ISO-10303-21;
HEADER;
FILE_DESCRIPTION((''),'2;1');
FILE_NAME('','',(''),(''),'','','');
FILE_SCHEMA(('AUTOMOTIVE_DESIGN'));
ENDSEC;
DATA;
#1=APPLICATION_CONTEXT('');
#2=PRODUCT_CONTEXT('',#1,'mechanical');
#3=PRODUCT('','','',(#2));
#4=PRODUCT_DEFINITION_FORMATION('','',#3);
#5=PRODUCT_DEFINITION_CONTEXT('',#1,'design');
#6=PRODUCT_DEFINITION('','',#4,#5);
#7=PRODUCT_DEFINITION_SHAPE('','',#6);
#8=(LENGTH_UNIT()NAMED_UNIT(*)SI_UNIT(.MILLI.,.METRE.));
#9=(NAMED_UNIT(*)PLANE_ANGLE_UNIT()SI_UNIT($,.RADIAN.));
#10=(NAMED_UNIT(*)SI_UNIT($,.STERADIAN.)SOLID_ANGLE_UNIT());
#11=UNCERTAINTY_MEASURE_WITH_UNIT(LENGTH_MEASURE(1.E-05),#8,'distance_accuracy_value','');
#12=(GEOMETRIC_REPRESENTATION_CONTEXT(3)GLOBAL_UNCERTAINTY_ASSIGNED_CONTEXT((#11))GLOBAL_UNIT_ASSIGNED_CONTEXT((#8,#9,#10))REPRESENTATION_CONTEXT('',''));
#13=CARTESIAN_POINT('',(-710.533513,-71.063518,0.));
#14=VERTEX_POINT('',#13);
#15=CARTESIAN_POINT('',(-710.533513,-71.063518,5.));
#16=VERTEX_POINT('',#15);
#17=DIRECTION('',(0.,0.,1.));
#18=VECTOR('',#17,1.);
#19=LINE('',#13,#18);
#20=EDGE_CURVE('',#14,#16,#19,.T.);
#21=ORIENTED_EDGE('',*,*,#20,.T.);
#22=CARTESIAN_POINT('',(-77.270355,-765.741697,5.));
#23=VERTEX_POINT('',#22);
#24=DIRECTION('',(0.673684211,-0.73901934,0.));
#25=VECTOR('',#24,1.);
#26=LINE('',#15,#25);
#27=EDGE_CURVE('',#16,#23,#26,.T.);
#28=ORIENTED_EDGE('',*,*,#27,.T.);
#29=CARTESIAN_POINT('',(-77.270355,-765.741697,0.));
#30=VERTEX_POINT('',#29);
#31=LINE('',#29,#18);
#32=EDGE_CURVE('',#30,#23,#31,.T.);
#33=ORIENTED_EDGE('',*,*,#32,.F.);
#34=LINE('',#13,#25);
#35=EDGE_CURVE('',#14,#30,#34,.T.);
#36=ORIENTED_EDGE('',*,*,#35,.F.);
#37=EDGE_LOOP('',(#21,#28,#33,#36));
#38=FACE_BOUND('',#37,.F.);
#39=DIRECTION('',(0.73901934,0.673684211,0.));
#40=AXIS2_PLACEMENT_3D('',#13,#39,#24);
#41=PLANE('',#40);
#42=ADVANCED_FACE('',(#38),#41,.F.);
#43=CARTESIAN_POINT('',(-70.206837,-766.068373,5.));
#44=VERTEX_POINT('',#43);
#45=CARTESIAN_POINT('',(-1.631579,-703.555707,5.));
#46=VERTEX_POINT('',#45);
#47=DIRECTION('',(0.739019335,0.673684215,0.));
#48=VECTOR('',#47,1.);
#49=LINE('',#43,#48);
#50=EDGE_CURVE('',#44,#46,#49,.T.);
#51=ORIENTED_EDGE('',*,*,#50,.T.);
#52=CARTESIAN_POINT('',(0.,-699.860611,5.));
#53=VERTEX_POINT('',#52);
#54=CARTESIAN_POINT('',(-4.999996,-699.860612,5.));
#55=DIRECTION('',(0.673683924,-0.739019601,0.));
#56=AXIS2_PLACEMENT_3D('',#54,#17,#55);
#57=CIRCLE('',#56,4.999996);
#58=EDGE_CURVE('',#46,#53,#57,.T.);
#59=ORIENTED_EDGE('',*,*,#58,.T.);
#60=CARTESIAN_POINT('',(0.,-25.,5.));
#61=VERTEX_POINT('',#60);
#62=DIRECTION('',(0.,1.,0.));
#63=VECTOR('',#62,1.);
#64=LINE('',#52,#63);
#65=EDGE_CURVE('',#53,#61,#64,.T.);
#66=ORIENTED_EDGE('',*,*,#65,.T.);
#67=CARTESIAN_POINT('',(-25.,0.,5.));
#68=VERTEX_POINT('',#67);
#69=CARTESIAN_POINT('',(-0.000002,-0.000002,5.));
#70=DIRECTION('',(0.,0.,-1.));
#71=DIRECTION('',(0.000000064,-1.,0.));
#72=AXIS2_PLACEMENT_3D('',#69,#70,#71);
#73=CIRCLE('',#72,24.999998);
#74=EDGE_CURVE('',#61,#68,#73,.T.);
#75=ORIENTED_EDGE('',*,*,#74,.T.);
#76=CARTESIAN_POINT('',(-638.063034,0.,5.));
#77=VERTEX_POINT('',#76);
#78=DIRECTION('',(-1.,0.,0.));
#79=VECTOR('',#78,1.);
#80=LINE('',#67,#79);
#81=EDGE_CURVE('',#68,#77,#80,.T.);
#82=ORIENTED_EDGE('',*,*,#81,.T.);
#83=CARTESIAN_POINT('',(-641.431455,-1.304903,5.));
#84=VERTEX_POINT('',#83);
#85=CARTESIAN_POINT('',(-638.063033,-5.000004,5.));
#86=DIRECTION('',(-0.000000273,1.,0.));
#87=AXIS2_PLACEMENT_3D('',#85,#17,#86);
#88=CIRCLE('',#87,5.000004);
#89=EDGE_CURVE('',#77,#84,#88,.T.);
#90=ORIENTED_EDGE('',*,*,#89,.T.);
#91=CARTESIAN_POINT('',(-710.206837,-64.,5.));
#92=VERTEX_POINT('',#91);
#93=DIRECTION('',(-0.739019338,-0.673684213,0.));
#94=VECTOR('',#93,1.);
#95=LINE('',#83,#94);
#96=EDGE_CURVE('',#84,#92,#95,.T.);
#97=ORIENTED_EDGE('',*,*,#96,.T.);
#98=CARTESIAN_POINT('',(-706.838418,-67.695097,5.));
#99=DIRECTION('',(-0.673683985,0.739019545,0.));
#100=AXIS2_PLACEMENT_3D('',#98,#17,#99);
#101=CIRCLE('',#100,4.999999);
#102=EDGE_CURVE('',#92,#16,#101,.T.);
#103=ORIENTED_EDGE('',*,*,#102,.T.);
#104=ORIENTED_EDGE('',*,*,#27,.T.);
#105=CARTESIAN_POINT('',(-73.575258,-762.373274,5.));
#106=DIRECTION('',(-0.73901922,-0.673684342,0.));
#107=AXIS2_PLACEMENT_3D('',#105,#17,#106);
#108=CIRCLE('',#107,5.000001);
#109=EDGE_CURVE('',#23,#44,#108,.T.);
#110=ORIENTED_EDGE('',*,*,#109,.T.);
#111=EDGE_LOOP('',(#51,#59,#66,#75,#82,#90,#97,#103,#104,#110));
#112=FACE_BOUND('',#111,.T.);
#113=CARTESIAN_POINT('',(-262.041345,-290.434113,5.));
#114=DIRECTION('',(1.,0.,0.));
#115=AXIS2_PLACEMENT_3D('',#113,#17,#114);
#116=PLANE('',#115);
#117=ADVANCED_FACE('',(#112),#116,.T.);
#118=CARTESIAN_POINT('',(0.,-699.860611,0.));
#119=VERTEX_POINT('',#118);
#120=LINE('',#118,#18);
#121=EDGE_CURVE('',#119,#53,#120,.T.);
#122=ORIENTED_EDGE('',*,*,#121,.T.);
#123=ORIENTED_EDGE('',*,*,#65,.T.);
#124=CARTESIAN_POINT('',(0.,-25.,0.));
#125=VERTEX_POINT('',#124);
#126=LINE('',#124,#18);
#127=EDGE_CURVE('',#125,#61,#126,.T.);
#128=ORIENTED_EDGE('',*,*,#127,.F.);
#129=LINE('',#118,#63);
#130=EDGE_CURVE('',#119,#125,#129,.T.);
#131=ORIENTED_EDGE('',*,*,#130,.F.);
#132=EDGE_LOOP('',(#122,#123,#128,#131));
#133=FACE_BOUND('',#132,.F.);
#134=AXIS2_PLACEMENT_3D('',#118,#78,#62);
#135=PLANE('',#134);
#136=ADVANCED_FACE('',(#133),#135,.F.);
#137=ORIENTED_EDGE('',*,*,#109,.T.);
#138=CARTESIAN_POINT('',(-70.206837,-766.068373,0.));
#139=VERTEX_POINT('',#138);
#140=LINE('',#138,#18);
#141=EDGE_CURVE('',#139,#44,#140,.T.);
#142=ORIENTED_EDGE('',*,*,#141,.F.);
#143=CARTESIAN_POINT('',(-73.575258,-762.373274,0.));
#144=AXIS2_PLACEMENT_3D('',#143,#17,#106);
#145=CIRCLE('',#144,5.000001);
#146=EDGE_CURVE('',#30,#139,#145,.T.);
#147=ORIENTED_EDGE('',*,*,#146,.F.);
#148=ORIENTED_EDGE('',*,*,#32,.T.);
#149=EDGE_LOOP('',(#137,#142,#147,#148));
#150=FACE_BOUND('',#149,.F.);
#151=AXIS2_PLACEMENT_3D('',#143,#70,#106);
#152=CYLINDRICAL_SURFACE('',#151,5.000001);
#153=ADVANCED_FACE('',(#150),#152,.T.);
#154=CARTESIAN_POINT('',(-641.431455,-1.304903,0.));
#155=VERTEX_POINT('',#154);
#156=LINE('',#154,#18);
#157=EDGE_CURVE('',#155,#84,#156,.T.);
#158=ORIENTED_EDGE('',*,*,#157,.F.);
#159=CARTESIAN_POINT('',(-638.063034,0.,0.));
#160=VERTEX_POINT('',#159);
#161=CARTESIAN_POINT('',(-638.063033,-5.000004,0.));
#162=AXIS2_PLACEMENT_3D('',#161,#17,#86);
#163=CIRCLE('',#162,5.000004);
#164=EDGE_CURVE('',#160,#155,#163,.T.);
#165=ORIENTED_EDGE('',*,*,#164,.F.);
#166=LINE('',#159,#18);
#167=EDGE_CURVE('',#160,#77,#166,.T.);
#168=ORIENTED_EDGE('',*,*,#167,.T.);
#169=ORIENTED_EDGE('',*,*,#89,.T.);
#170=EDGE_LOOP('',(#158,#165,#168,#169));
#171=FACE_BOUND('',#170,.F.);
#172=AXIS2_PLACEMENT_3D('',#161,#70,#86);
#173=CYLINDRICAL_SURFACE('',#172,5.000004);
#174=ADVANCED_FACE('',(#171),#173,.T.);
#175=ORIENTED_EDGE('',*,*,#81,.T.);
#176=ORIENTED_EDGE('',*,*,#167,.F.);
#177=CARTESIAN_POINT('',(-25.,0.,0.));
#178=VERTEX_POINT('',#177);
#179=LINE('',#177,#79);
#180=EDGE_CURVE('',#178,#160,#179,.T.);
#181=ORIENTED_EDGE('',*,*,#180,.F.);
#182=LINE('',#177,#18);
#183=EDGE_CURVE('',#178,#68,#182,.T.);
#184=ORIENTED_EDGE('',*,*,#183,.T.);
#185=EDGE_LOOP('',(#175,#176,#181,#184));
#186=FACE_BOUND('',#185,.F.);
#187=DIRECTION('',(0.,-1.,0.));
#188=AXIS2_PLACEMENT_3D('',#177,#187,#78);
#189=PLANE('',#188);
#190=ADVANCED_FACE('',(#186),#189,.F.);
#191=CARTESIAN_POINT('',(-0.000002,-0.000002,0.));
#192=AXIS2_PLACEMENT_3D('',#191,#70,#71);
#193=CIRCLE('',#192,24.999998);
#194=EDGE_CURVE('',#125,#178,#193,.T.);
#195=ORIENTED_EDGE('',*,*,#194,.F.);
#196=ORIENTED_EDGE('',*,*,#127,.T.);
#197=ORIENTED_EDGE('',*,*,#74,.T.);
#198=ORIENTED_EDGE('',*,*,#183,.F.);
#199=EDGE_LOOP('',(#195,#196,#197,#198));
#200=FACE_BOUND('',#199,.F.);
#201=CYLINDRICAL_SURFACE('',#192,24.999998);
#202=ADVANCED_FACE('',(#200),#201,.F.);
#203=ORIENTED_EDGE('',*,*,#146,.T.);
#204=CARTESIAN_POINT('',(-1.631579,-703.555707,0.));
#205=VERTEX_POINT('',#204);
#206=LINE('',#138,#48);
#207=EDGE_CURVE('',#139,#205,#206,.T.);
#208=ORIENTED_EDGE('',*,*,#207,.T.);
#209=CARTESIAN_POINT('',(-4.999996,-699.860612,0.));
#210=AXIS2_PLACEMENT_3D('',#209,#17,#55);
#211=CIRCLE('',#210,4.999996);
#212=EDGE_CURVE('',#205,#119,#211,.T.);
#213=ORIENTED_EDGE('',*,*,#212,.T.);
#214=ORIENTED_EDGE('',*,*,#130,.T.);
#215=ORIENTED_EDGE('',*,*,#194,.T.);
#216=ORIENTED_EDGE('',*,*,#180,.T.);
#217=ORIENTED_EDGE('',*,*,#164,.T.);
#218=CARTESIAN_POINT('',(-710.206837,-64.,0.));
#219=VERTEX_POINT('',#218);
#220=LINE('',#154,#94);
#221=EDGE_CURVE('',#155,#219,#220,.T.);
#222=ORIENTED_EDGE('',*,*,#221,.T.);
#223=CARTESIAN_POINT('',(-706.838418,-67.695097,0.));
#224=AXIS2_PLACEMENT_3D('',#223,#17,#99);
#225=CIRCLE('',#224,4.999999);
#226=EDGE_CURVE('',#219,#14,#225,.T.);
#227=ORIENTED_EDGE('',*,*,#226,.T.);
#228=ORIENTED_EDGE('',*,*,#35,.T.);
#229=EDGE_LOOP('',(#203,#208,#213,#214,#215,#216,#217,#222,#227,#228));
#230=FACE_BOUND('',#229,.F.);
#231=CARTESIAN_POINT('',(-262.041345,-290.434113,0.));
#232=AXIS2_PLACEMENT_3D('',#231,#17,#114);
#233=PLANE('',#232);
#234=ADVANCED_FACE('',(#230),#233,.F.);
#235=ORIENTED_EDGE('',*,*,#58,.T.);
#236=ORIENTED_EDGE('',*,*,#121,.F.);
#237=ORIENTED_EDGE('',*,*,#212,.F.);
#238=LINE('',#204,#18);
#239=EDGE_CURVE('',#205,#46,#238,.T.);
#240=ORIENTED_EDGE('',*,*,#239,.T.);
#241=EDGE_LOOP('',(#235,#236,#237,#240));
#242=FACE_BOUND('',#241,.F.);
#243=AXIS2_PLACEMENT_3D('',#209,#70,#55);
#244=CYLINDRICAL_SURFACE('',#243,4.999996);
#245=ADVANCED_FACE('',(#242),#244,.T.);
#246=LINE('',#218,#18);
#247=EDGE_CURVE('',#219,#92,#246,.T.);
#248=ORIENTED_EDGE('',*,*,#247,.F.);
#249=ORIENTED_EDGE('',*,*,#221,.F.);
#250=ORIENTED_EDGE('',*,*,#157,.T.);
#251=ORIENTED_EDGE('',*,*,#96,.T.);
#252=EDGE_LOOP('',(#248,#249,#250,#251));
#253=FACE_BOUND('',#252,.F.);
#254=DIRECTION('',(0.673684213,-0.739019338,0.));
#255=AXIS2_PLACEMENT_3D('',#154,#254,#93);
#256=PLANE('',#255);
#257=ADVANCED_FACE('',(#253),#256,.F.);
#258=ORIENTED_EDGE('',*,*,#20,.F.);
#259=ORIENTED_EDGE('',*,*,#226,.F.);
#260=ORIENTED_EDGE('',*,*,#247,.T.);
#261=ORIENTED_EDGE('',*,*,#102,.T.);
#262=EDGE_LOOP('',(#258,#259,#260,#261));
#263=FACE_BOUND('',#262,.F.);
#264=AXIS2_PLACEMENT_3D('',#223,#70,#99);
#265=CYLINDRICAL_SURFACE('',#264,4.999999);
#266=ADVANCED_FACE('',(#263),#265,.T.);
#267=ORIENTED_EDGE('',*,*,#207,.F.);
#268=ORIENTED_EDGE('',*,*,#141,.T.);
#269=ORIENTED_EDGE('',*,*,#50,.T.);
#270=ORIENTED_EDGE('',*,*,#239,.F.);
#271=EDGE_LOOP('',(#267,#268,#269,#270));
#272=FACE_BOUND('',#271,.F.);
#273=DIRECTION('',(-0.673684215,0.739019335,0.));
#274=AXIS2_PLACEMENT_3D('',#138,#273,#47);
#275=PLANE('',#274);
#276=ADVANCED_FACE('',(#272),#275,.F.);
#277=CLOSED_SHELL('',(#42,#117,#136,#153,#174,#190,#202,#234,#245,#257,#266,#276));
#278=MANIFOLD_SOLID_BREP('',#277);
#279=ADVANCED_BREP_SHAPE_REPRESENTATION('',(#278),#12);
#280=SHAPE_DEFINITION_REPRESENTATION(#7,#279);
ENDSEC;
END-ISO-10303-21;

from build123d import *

# Parameters (mm, degrees)
F1_DEPTH = 5


with BuildPart() as f1:
    # F0 (on Top) → F1 (new body)
    with BuildSketch(Plane.XY):
        with BuildLine():
            ThreePointArc((0, -25), (-17.67767, -17.67767), (-25, 0))
            Line((-25, 0), (-638.063034, 0))
            ThreePointArc((-638.063034, 0), (-639.869206, -0.337625), (-641.431455, -1.304903))
            Line((-641.431455, -1.304903), (-710.206837, -64))
            ThreePointArc((-710.206837, -64), (-711.833078, -67.464102), (-710.533513, -71.063518))
            Line((-710.533513, -71.063518), (-77.270355, -765.741697))
            ThreePointArc((-77.270355, -765.741697), (-73.806253, -767.367937), (-70.206837, -766.068373))
            Line((-70.206837, -766.068373), (-1.631579, -703.555707))
            ThreePointArc((-1.631579, -703.555707), (-0.426046, -701.880251), (0, -699.860611))
            Line((0, -699.860611), (0, -25))
        make_face()
    extrude(amount=F1_DEPTH)


solid = f1.part
